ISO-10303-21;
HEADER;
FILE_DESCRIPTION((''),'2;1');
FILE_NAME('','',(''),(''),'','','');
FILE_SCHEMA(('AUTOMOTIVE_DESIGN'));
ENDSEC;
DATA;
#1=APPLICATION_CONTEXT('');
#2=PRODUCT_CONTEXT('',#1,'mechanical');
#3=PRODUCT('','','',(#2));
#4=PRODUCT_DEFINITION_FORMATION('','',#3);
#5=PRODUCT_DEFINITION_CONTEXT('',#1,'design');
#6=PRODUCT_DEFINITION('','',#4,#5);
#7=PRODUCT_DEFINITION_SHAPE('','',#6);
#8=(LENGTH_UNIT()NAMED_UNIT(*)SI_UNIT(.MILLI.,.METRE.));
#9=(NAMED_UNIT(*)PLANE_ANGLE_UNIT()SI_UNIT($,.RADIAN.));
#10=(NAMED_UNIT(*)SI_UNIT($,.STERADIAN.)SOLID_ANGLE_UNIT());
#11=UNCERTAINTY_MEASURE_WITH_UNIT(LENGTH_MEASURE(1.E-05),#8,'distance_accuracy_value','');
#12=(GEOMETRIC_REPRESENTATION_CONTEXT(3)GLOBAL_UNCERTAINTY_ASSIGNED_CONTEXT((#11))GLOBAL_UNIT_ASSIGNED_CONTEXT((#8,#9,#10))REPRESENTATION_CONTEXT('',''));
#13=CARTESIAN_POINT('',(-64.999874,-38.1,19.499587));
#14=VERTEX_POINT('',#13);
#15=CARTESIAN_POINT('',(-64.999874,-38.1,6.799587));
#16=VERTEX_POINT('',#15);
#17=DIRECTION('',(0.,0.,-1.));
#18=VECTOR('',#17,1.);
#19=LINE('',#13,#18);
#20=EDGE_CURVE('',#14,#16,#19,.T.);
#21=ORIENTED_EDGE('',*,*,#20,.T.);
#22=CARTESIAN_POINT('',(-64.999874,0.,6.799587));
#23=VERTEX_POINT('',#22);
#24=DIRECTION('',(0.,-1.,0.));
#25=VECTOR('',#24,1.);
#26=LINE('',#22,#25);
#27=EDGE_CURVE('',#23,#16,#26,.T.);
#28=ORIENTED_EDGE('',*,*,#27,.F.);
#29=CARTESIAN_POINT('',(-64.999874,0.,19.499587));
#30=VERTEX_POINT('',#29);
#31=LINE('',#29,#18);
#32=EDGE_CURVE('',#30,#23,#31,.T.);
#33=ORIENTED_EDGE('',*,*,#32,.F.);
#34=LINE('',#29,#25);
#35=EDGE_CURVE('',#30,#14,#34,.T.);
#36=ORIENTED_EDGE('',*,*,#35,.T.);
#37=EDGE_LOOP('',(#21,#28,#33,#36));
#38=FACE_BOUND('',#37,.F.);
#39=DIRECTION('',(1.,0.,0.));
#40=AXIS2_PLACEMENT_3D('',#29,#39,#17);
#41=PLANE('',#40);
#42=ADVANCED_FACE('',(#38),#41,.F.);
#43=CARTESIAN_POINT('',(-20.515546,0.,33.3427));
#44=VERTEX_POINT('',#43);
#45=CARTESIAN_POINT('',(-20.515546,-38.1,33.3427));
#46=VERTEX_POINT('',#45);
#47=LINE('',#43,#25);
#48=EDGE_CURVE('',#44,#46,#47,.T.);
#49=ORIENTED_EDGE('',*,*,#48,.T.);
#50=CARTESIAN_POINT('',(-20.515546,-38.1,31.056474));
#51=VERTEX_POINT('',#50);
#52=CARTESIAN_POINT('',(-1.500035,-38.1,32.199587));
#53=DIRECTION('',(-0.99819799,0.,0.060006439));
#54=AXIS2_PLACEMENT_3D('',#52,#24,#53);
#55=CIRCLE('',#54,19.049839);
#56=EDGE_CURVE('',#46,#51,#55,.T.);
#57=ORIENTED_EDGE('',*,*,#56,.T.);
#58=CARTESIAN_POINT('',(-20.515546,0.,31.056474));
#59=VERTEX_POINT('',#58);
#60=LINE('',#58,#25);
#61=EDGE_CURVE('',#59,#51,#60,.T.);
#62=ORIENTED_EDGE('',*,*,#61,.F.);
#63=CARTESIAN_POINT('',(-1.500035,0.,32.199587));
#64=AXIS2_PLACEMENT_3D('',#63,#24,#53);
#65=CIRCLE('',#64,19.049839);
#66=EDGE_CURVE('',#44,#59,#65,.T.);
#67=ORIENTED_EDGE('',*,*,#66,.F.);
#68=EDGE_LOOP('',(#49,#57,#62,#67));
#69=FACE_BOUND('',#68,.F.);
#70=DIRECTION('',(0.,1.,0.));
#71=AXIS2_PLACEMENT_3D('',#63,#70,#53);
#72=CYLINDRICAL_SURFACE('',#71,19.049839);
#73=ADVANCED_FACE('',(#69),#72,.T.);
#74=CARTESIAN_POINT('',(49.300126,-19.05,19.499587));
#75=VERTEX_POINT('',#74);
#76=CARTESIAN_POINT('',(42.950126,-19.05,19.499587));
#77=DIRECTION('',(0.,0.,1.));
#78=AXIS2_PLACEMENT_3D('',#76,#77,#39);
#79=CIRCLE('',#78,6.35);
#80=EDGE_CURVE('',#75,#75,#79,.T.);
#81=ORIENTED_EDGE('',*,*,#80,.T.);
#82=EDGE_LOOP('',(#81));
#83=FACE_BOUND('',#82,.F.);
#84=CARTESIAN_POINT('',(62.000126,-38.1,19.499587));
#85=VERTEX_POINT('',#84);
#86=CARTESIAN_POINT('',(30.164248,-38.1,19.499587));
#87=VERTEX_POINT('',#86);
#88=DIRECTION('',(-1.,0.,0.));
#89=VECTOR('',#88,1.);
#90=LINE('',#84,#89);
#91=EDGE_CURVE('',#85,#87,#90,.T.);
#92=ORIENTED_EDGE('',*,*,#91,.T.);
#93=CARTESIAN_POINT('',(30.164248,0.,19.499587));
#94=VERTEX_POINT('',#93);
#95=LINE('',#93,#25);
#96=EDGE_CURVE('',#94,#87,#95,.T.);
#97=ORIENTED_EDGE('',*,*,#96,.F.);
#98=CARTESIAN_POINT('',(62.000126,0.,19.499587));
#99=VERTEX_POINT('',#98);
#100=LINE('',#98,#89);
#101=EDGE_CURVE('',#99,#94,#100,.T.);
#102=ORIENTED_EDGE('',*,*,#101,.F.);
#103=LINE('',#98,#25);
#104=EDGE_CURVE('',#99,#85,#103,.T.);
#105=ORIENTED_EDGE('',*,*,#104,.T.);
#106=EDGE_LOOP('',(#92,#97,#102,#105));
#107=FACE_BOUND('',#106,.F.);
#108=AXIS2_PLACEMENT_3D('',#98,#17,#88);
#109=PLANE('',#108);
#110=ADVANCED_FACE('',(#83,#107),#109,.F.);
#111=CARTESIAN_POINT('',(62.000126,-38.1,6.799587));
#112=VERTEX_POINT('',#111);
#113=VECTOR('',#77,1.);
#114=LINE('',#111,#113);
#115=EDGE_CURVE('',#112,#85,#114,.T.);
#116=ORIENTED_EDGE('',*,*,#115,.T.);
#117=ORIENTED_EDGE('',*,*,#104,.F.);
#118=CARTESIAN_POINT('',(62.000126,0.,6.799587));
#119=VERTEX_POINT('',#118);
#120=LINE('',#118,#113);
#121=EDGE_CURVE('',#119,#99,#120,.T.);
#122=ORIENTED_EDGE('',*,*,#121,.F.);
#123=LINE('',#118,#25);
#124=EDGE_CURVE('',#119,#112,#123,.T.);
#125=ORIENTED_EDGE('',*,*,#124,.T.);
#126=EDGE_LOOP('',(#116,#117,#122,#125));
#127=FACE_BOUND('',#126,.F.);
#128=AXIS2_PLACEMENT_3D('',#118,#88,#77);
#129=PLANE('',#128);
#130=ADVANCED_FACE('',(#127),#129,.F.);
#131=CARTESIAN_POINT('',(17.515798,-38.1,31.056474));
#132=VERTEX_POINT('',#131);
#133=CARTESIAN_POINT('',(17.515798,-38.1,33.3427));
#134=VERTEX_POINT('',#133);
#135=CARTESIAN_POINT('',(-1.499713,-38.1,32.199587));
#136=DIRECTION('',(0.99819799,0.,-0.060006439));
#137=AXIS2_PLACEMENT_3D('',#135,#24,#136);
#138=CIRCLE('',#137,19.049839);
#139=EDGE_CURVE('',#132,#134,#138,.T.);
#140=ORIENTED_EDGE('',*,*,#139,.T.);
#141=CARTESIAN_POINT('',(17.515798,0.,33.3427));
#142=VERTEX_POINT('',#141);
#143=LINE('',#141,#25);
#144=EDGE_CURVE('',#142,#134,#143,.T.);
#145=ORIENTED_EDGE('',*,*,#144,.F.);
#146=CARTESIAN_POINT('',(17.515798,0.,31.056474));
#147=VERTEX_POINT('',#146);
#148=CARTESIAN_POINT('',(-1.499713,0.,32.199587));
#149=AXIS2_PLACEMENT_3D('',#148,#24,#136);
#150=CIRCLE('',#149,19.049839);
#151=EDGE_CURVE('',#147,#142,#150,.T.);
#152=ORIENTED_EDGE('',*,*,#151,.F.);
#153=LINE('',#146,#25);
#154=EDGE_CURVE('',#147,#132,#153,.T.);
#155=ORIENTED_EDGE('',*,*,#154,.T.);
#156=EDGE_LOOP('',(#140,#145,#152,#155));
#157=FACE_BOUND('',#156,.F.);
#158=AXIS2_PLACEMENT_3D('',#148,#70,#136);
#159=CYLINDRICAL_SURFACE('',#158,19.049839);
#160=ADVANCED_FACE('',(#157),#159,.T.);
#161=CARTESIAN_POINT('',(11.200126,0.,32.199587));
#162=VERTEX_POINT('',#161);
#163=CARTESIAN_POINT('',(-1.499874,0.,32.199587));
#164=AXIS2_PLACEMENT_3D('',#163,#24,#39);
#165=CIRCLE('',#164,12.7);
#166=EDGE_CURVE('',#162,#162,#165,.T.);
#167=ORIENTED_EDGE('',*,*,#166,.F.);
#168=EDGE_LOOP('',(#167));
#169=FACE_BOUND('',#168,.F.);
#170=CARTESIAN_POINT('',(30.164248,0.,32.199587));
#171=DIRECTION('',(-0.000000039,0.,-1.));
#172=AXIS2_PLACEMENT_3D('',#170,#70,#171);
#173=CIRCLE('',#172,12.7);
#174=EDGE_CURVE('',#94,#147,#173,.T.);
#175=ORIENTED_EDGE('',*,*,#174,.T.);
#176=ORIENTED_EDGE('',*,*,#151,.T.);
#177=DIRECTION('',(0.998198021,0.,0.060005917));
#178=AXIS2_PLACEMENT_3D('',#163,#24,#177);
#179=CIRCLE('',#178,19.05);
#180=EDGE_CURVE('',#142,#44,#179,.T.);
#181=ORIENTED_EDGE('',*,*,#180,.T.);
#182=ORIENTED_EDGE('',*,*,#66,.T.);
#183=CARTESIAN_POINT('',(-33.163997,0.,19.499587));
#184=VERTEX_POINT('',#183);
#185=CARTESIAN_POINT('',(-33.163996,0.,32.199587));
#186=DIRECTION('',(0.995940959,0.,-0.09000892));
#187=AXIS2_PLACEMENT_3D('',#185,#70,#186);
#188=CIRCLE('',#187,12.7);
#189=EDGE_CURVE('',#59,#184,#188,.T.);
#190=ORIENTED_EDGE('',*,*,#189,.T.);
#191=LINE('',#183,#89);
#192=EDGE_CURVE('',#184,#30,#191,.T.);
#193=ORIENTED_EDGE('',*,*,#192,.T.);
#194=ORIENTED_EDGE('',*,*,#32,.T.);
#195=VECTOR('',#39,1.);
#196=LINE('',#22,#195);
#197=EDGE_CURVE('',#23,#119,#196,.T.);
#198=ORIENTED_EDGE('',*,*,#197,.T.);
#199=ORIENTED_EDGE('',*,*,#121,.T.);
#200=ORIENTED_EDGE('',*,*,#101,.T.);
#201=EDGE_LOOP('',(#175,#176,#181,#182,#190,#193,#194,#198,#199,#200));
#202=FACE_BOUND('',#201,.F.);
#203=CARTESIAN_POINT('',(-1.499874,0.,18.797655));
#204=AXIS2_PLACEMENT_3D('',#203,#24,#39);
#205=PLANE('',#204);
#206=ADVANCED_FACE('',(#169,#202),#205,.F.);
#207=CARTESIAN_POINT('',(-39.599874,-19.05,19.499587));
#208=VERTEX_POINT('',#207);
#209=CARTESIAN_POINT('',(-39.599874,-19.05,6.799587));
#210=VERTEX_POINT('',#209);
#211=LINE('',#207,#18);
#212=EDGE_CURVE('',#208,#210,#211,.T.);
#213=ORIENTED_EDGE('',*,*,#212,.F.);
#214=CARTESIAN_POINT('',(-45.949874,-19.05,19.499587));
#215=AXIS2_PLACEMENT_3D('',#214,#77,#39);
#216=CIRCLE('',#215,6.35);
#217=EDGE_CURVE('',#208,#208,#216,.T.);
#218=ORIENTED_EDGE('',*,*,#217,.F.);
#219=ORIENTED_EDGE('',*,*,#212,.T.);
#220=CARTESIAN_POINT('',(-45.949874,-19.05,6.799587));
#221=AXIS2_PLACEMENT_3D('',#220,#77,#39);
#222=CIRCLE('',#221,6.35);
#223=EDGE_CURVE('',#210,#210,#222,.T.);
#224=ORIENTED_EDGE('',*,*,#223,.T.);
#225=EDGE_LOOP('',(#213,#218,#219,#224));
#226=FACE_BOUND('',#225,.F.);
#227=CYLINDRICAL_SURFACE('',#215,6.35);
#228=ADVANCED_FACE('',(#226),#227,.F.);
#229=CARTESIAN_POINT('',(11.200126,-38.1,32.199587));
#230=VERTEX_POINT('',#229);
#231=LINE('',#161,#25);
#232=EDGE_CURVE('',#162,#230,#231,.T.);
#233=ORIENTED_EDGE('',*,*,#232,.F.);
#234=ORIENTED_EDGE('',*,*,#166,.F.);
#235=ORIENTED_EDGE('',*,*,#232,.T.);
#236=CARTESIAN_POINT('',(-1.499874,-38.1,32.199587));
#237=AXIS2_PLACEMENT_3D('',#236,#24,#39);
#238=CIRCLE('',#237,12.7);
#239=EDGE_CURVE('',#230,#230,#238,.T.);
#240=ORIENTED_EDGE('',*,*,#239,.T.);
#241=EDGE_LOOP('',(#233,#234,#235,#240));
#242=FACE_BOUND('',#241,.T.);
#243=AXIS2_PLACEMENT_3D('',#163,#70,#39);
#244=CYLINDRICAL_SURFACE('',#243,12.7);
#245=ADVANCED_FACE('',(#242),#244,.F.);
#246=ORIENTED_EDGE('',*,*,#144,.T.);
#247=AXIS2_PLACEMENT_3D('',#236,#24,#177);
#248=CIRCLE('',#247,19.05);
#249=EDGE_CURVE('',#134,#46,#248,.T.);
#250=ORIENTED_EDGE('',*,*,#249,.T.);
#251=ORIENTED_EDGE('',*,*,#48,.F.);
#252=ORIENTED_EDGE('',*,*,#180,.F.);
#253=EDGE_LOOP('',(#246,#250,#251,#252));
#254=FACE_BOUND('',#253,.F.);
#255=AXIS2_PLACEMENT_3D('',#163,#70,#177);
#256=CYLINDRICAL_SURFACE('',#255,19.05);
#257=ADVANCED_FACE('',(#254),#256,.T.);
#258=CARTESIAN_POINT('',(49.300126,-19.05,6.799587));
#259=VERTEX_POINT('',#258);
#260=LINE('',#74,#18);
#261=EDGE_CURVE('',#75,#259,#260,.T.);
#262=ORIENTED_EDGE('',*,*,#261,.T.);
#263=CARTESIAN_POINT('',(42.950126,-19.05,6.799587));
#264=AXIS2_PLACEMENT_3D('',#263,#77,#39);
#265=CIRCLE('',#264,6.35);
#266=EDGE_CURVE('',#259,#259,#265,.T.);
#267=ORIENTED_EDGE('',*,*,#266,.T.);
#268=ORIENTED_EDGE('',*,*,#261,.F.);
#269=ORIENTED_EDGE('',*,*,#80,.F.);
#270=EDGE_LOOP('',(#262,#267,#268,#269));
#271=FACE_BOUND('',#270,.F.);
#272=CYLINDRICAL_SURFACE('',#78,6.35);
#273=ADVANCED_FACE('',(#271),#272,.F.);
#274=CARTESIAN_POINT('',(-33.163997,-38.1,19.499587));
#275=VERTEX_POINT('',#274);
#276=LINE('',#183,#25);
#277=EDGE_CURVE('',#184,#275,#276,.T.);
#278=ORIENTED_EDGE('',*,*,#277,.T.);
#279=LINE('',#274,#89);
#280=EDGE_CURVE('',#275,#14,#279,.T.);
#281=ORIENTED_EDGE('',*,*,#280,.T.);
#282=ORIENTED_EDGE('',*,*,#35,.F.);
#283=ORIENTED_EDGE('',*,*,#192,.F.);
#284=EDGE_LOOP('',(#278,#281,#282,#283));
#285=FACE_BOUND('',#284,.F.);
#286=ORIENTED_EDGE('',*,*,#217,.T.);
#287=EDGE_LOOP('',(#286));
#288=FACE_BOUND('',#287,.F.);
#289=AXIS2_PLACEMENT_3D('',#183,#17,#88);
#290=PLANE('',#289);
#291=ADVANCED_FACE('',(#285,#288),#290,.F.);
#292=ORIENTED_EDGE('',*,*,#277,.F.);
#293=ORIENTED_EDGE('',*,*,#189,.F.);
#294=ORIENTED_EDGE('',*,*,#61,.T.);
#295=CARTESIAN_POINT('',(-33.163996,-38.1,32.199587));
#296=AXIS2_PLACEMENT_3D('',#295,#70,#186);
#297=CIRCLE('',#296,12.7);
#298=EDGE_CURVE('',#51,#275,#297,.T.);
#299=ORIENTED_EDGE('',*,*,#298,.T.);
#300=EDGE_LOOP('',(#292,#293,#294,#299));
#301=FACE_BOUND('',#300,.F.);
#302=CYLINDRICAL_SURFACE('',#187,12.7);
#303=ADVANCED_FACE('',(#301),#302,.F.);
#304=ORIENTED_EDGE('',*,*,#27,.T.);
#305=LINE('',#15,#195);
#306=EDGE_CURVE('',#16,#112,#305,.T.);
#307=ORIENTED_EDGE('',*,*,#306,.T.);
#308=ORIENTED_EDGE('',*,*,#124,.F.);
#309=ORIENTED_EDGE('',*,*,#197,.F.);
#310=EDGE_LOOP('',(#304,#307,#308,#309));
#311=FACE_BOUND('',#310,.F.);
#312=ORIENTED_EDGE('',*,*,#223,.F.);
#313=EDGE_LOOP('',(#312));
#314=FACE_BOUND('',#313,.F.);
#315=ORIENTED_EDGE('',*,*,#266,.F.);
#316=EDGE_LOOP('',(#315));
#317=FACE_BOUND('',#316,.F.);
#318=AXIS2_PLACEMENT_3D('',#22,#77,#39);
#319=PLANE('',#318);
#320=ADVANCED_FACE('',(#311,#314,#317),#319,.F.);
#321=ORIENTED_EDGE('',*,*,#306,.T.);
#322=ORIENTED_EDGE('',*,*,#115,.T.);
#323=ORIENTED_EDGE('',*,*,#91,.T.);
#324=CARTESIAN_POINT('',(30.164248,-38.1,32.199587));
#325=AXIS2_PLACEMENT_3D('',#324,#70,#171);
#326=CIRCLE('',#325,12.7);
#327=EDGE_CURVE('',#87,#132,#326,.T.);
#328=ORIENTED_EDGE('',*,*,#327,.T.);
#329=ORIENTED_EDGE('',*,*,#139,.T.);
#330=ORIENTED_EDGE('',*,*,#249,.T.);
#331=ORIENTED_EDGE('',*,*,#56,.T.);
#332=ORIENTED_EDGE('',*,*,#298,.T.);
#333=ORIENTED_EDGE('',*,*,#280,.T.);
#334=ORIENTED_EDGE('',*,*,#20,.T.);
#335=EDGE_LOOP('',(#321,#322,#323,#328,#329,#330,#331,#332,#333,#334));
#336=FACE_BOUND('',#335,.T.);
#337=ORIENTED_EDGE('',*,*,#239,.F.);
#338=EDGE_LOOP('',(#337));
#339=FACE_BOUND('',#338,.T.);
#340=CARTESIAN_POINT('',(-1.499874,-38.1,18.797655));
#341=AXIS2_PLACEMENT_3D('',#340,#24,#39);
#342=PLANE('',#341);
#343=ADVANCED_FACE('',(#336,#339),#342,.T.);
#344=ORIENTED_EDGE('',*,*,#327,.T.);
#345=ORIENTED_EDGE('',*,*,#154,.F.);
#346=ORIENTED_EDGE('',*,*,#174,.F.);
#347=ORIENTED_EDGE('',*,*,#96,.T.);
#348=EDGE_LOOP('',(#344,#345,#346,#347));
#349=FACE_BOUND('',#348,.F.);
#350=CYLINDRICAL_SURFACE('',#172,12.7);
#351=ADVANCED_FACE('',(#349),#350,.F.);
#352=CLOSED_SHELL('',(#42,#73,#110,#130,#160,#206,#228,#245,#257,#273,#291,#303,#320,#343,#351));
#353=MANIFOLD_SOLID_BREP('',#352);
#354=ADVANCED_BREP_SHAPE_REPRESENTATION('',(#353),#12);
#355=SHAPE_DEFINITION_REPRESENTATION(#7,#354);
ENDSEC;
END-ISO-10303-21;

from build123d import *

# Parameters (mm, degrees)
F0_R     = 12.7
F1_DEPTH = 38.1
F2_R     = 6.35
F3_DEPTH = 12.701


with BuildPart() as f1:
    # F0 (on Front) → F1 (new body)
    with BuildSketch(Plane.XZ):
        with BuildLine():
            Line((-33.163997, 19.499587), (-64.999874, 19.499587))
            Line((-64.999874, 19.499587), (-64.999874, 6.799587))
            Line((-64.999874, 6.799587), (62.000126, 6.799587))
            Line((62.000126, 6.799587), (62.000126, 19.499587))
            Line((62.000126, 19.499587), (30.164248, 19.499587))
            ThreePointArc((30.164248, 19.499587), (21.597672, 22.823886), (17.515798, 31.056474))
            ThreePointArc((17.515798, 31.056474), (17.464248, 32.199587), (17.515798, 33.3427))
            ThreePointArc((17.515798, 33.3427), (-1.499874, 51.249587), (-20.515546, 33.3427))
            ThreePointArc((-20.515546, 33.3427), (-20.463997, 32.199587), (-20.515546, 31.056474))
            ThreePointArc((-20.515546, 31.056474), (-24.59742, 22.823886), (-33.163997, 19.499587))
        make_face()
        with Locations((-1.499874, 32.199587)):
            Circle(F0_R, mode=Mode.SUBTRACT)
        with BuildLine():
            ThreePointArc((-20.515546, 33.3427), (-20.549874, 32.199587), (-20.515546, 31.056474))
            ThreePointArc((-20.515546, 31.056474), (-20.463997, 32.199587), (-20.515546, 33.3427))
        make_face()
        with BuildLine():
            ThreePointArc((17.515798, 31.056474), (17.550126, 32.199587), (17.515798, 33.3427))
            ThreePointArc((17.515798, 33.3427), (17.464248, 32.199587), (17.515798, 31.056474))
        make_face()
    extrude(amount=F1_DEPTH)

    # F2 (on face) → F3 (cut, through all)
    with BuildSketch(Plane.XY.offset(19.499587)):
        with Locations((42.950126, -19.05)):
            Circle(F2_R)
        with Locations((-45.949874, -19.05)):
            Circle(F2_R)
    extrude(amount=-F3_DEPTH, mode=Mode.SUBTRACT)


solid = f1.part
